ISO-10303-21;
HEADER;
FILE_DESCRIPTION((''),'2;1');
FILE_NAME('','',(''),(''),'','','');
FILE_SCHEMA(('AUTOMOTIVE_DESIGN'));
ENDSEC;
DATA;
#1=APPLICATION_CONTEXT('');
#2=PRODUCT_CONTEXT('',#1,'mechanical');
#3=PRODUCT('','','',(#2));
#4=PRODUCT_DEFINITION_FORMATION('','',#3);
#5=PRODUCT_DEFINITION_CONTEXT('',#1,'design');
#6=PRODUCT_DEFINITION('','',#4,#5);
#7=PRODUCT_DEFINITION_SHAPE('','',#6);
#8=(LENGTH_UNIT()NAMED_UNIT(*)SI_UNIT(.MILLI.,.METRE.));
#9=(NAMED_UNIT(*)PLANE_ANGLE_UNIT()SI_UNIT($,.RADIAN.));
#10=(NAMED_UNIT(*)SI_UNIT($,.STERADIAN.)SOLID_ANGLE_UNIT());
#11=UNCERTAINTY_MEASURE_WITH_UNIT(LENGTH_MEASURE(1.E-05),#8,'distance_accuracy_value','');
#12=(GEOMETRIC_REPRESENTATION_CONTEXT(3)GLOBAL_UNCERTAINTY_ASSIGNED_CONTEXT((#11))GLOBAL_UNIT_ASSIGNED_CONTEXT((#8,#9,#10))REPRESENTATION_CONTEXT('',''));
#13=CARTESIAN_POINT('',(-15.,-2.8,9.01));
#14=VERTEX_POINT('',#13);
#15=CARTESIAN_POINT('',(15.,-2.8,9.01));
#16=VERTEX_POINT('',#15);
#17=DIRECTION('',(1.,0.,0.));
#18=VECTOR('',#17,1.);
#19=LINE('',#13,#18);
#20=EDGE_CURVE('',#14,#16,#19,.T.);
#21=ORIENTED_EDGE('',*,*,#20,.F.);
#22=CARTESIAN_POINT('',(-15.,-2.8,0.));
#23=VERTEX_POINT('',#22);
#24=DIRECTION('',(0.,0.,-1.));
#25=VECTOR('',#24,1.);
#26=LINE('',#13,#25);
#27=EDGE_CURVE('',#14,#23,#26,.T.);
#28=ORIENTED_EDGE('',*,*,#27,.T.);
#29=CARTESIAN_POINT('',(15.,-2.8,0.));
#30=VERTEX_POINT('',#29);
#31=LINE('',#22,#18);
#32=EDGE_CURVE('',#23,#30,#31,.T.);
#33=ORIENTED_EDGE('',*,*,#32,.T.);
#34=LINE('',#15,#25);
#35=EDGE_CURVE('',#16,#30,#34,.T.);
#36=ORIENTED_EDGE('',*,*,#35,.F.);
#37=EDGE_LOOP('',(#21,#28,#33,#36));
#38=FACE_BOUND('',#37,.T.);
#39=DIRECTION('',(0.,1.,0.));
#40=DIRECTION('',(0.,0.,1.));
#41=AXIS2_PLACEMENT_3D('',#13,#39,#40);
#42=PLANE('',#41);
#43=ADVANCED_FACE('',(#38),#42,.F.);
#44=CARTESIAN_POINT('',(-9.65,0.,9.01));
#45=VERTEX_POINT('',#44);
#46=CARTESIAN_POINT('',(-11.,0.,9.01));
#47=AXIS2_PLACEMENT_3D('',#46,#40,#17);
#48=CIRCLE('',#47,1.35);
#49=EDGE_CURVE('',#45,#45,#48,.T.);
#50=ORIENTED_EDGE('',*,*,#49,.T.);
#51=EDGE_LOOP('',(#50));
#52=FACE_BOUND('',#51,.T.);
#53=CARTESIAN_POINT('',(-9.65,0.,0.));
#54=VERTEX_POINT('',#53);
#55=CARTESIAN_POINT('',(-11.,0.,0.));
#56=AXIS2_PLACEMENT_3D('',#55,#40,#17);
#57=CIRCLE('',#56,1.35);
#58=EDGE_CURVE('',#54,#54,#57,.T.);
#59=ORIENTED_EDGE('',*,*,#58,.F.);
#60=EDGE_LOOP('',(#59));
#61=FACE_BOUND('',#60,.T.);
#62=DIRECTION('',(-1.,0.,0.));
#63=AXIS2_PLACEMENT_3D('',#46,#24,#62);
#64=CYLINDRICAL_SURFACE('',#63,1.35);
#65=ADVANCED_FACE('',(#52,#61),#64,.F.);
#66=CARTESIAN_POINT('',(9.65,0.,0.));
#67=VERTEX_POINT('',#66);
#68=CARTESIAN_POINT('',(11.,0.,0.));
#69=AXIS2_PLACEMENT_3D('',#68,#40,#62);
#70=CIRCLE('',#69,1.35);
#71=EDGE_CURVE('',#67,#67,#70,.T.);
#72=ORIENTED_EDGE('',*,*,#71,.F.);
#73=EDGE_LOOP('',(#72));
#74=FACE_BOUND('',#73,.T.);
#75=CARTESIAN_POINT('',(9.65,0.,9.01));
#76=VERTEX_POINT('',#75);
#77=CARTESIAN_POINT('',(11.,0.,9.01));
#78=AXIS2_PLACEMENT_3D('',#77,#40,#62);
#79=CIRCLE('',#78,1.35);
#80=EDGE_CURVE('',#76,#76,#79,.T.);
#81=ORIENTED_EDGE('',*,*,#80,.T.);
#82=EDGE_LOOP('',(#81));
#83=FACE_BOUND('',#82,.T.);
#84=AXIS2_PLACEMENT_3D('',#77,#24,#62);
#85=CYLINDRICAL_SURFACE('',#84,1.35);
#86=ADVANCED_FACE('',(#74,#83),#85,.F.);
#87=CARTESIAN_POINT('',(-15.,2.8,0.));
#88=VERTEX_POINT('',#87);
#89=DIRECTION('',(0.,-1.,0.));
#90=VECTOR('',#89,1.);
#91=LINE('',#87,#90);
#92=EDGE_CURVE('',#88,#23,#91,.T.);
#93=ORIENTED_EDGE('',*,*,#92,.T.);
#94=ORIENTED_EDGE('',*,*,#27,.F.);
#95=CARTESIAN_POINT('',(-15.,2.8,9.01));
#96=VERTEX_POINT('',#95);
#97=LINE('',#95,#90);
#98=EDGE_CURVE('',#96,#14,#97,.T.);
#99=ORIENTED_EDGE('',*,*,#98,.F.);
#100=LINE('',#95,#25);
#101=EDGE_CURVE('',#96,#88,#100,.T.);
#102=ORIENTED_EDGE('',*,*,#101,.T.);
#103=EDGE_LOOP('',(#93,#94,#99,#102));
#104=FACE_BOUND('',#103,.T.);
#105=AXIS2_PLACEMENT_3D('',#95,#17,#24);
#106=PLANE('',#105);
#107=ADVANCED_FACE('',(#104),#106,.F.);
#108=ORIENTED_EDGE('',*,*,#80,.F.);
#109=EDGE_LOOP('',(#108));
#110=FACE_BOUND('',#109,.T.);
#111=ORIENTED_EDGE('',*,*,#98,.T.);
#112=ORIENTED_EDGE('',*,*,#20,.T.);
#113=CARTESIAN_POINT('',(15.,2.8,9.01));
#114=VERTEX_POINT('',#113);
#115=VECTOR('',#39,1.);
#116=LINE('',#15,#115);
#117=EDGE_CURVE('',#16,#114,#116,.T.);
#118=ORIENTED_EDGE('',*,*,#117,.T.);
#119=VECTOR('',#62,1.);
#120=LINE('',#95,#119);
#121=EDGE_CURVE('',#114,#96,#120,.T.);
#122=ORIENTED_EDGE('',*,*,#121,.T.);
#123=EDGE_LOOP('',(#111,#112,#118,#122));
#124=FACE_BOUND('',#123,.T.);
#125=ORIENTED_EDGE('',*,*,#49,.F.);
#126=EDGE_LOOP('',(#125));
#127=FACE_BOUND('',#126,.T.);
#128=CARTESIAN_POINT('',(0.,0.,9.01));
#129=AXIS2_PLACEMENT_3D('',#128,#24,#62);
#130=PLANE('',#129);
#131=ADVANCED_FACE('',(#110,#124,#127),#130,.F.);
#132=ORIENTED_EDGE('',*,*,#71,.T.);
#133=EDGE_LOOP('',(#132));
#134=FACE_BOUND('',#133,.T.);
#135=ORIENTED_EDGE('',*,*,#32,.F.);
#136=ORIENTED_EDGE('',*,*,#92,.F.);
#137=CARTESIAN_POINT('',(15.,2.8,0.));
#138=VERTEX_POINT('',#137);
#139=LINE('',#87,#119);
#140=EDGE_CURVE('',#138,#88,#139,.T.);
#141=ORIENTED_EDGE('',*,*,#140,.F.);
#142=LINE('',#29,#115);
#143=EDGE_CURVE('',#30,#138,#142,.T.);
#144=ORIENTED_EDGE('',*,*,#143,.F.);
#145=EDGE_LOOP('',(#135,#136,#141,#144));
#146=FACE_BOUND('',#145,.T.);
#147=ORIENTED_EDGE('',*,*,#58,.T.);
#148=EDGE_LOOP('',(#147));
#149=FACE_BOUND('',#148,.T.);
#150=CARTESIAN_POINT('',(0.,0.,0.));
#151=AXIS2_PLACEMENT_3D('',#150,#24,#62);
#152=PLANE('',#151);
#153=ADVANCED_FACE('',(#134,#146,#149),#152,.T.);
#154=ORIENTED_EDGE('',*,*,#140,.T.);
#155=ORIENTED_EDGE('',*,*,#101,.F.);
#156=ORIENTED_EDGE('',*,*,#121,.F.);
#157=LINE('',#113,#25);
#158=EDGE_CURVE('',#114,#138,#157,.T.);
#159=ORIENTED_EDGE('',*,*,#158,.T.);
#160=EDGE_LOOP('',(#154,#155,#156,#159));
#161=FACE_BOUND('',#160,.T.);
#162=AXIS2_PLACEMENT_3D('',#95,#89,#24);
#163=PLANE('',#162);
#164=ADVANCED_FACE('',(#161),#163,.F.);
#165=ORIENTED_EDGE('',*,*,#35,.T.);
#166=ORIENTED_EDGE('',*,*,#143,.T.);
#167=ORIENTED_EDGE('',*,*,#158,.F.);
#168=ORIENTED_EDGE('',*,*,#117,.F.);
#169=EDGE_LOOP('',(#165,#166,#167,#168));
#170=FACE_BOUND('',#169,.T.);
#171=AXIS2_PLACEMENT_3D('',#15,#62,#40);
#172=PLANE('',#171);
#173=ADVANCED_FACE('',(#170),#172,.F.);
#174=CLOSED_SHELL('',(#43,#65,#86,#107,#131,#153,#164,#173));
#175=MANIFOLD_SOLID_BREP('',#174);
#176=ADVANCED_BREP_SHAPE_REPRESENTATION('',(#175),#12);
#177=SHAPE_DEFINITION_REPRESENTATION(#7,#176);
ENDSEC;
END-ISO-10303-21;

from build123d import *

# Parameters (mm, degrees)
SKETCH_1_W      = 30
SKETCH_1_H      = 5.6
SKETCH_1_R      = 1.35
EXTRUDE_1_DEPTH = 9.01


with BuildPart() as part:
    # 草图1 → 凸台-拉伸1 (new body)
    with BuildSketch(Plane.XY):
        Rectangle(SKETCH_1_W, SKETCH_1_H)
        with Locations((-11, 0)):
            Circle(SKETCH_1_R, mode=Mode.SUBTRACT)
        with Locations(Location((11, 0, 0), (0, 0, 180))):
            Circle(SKETCH_1_R, mode=Mode.SUBTRACT)
    extrude(amount=EXTRUDE_1_DEPTH)


solid = part.part
